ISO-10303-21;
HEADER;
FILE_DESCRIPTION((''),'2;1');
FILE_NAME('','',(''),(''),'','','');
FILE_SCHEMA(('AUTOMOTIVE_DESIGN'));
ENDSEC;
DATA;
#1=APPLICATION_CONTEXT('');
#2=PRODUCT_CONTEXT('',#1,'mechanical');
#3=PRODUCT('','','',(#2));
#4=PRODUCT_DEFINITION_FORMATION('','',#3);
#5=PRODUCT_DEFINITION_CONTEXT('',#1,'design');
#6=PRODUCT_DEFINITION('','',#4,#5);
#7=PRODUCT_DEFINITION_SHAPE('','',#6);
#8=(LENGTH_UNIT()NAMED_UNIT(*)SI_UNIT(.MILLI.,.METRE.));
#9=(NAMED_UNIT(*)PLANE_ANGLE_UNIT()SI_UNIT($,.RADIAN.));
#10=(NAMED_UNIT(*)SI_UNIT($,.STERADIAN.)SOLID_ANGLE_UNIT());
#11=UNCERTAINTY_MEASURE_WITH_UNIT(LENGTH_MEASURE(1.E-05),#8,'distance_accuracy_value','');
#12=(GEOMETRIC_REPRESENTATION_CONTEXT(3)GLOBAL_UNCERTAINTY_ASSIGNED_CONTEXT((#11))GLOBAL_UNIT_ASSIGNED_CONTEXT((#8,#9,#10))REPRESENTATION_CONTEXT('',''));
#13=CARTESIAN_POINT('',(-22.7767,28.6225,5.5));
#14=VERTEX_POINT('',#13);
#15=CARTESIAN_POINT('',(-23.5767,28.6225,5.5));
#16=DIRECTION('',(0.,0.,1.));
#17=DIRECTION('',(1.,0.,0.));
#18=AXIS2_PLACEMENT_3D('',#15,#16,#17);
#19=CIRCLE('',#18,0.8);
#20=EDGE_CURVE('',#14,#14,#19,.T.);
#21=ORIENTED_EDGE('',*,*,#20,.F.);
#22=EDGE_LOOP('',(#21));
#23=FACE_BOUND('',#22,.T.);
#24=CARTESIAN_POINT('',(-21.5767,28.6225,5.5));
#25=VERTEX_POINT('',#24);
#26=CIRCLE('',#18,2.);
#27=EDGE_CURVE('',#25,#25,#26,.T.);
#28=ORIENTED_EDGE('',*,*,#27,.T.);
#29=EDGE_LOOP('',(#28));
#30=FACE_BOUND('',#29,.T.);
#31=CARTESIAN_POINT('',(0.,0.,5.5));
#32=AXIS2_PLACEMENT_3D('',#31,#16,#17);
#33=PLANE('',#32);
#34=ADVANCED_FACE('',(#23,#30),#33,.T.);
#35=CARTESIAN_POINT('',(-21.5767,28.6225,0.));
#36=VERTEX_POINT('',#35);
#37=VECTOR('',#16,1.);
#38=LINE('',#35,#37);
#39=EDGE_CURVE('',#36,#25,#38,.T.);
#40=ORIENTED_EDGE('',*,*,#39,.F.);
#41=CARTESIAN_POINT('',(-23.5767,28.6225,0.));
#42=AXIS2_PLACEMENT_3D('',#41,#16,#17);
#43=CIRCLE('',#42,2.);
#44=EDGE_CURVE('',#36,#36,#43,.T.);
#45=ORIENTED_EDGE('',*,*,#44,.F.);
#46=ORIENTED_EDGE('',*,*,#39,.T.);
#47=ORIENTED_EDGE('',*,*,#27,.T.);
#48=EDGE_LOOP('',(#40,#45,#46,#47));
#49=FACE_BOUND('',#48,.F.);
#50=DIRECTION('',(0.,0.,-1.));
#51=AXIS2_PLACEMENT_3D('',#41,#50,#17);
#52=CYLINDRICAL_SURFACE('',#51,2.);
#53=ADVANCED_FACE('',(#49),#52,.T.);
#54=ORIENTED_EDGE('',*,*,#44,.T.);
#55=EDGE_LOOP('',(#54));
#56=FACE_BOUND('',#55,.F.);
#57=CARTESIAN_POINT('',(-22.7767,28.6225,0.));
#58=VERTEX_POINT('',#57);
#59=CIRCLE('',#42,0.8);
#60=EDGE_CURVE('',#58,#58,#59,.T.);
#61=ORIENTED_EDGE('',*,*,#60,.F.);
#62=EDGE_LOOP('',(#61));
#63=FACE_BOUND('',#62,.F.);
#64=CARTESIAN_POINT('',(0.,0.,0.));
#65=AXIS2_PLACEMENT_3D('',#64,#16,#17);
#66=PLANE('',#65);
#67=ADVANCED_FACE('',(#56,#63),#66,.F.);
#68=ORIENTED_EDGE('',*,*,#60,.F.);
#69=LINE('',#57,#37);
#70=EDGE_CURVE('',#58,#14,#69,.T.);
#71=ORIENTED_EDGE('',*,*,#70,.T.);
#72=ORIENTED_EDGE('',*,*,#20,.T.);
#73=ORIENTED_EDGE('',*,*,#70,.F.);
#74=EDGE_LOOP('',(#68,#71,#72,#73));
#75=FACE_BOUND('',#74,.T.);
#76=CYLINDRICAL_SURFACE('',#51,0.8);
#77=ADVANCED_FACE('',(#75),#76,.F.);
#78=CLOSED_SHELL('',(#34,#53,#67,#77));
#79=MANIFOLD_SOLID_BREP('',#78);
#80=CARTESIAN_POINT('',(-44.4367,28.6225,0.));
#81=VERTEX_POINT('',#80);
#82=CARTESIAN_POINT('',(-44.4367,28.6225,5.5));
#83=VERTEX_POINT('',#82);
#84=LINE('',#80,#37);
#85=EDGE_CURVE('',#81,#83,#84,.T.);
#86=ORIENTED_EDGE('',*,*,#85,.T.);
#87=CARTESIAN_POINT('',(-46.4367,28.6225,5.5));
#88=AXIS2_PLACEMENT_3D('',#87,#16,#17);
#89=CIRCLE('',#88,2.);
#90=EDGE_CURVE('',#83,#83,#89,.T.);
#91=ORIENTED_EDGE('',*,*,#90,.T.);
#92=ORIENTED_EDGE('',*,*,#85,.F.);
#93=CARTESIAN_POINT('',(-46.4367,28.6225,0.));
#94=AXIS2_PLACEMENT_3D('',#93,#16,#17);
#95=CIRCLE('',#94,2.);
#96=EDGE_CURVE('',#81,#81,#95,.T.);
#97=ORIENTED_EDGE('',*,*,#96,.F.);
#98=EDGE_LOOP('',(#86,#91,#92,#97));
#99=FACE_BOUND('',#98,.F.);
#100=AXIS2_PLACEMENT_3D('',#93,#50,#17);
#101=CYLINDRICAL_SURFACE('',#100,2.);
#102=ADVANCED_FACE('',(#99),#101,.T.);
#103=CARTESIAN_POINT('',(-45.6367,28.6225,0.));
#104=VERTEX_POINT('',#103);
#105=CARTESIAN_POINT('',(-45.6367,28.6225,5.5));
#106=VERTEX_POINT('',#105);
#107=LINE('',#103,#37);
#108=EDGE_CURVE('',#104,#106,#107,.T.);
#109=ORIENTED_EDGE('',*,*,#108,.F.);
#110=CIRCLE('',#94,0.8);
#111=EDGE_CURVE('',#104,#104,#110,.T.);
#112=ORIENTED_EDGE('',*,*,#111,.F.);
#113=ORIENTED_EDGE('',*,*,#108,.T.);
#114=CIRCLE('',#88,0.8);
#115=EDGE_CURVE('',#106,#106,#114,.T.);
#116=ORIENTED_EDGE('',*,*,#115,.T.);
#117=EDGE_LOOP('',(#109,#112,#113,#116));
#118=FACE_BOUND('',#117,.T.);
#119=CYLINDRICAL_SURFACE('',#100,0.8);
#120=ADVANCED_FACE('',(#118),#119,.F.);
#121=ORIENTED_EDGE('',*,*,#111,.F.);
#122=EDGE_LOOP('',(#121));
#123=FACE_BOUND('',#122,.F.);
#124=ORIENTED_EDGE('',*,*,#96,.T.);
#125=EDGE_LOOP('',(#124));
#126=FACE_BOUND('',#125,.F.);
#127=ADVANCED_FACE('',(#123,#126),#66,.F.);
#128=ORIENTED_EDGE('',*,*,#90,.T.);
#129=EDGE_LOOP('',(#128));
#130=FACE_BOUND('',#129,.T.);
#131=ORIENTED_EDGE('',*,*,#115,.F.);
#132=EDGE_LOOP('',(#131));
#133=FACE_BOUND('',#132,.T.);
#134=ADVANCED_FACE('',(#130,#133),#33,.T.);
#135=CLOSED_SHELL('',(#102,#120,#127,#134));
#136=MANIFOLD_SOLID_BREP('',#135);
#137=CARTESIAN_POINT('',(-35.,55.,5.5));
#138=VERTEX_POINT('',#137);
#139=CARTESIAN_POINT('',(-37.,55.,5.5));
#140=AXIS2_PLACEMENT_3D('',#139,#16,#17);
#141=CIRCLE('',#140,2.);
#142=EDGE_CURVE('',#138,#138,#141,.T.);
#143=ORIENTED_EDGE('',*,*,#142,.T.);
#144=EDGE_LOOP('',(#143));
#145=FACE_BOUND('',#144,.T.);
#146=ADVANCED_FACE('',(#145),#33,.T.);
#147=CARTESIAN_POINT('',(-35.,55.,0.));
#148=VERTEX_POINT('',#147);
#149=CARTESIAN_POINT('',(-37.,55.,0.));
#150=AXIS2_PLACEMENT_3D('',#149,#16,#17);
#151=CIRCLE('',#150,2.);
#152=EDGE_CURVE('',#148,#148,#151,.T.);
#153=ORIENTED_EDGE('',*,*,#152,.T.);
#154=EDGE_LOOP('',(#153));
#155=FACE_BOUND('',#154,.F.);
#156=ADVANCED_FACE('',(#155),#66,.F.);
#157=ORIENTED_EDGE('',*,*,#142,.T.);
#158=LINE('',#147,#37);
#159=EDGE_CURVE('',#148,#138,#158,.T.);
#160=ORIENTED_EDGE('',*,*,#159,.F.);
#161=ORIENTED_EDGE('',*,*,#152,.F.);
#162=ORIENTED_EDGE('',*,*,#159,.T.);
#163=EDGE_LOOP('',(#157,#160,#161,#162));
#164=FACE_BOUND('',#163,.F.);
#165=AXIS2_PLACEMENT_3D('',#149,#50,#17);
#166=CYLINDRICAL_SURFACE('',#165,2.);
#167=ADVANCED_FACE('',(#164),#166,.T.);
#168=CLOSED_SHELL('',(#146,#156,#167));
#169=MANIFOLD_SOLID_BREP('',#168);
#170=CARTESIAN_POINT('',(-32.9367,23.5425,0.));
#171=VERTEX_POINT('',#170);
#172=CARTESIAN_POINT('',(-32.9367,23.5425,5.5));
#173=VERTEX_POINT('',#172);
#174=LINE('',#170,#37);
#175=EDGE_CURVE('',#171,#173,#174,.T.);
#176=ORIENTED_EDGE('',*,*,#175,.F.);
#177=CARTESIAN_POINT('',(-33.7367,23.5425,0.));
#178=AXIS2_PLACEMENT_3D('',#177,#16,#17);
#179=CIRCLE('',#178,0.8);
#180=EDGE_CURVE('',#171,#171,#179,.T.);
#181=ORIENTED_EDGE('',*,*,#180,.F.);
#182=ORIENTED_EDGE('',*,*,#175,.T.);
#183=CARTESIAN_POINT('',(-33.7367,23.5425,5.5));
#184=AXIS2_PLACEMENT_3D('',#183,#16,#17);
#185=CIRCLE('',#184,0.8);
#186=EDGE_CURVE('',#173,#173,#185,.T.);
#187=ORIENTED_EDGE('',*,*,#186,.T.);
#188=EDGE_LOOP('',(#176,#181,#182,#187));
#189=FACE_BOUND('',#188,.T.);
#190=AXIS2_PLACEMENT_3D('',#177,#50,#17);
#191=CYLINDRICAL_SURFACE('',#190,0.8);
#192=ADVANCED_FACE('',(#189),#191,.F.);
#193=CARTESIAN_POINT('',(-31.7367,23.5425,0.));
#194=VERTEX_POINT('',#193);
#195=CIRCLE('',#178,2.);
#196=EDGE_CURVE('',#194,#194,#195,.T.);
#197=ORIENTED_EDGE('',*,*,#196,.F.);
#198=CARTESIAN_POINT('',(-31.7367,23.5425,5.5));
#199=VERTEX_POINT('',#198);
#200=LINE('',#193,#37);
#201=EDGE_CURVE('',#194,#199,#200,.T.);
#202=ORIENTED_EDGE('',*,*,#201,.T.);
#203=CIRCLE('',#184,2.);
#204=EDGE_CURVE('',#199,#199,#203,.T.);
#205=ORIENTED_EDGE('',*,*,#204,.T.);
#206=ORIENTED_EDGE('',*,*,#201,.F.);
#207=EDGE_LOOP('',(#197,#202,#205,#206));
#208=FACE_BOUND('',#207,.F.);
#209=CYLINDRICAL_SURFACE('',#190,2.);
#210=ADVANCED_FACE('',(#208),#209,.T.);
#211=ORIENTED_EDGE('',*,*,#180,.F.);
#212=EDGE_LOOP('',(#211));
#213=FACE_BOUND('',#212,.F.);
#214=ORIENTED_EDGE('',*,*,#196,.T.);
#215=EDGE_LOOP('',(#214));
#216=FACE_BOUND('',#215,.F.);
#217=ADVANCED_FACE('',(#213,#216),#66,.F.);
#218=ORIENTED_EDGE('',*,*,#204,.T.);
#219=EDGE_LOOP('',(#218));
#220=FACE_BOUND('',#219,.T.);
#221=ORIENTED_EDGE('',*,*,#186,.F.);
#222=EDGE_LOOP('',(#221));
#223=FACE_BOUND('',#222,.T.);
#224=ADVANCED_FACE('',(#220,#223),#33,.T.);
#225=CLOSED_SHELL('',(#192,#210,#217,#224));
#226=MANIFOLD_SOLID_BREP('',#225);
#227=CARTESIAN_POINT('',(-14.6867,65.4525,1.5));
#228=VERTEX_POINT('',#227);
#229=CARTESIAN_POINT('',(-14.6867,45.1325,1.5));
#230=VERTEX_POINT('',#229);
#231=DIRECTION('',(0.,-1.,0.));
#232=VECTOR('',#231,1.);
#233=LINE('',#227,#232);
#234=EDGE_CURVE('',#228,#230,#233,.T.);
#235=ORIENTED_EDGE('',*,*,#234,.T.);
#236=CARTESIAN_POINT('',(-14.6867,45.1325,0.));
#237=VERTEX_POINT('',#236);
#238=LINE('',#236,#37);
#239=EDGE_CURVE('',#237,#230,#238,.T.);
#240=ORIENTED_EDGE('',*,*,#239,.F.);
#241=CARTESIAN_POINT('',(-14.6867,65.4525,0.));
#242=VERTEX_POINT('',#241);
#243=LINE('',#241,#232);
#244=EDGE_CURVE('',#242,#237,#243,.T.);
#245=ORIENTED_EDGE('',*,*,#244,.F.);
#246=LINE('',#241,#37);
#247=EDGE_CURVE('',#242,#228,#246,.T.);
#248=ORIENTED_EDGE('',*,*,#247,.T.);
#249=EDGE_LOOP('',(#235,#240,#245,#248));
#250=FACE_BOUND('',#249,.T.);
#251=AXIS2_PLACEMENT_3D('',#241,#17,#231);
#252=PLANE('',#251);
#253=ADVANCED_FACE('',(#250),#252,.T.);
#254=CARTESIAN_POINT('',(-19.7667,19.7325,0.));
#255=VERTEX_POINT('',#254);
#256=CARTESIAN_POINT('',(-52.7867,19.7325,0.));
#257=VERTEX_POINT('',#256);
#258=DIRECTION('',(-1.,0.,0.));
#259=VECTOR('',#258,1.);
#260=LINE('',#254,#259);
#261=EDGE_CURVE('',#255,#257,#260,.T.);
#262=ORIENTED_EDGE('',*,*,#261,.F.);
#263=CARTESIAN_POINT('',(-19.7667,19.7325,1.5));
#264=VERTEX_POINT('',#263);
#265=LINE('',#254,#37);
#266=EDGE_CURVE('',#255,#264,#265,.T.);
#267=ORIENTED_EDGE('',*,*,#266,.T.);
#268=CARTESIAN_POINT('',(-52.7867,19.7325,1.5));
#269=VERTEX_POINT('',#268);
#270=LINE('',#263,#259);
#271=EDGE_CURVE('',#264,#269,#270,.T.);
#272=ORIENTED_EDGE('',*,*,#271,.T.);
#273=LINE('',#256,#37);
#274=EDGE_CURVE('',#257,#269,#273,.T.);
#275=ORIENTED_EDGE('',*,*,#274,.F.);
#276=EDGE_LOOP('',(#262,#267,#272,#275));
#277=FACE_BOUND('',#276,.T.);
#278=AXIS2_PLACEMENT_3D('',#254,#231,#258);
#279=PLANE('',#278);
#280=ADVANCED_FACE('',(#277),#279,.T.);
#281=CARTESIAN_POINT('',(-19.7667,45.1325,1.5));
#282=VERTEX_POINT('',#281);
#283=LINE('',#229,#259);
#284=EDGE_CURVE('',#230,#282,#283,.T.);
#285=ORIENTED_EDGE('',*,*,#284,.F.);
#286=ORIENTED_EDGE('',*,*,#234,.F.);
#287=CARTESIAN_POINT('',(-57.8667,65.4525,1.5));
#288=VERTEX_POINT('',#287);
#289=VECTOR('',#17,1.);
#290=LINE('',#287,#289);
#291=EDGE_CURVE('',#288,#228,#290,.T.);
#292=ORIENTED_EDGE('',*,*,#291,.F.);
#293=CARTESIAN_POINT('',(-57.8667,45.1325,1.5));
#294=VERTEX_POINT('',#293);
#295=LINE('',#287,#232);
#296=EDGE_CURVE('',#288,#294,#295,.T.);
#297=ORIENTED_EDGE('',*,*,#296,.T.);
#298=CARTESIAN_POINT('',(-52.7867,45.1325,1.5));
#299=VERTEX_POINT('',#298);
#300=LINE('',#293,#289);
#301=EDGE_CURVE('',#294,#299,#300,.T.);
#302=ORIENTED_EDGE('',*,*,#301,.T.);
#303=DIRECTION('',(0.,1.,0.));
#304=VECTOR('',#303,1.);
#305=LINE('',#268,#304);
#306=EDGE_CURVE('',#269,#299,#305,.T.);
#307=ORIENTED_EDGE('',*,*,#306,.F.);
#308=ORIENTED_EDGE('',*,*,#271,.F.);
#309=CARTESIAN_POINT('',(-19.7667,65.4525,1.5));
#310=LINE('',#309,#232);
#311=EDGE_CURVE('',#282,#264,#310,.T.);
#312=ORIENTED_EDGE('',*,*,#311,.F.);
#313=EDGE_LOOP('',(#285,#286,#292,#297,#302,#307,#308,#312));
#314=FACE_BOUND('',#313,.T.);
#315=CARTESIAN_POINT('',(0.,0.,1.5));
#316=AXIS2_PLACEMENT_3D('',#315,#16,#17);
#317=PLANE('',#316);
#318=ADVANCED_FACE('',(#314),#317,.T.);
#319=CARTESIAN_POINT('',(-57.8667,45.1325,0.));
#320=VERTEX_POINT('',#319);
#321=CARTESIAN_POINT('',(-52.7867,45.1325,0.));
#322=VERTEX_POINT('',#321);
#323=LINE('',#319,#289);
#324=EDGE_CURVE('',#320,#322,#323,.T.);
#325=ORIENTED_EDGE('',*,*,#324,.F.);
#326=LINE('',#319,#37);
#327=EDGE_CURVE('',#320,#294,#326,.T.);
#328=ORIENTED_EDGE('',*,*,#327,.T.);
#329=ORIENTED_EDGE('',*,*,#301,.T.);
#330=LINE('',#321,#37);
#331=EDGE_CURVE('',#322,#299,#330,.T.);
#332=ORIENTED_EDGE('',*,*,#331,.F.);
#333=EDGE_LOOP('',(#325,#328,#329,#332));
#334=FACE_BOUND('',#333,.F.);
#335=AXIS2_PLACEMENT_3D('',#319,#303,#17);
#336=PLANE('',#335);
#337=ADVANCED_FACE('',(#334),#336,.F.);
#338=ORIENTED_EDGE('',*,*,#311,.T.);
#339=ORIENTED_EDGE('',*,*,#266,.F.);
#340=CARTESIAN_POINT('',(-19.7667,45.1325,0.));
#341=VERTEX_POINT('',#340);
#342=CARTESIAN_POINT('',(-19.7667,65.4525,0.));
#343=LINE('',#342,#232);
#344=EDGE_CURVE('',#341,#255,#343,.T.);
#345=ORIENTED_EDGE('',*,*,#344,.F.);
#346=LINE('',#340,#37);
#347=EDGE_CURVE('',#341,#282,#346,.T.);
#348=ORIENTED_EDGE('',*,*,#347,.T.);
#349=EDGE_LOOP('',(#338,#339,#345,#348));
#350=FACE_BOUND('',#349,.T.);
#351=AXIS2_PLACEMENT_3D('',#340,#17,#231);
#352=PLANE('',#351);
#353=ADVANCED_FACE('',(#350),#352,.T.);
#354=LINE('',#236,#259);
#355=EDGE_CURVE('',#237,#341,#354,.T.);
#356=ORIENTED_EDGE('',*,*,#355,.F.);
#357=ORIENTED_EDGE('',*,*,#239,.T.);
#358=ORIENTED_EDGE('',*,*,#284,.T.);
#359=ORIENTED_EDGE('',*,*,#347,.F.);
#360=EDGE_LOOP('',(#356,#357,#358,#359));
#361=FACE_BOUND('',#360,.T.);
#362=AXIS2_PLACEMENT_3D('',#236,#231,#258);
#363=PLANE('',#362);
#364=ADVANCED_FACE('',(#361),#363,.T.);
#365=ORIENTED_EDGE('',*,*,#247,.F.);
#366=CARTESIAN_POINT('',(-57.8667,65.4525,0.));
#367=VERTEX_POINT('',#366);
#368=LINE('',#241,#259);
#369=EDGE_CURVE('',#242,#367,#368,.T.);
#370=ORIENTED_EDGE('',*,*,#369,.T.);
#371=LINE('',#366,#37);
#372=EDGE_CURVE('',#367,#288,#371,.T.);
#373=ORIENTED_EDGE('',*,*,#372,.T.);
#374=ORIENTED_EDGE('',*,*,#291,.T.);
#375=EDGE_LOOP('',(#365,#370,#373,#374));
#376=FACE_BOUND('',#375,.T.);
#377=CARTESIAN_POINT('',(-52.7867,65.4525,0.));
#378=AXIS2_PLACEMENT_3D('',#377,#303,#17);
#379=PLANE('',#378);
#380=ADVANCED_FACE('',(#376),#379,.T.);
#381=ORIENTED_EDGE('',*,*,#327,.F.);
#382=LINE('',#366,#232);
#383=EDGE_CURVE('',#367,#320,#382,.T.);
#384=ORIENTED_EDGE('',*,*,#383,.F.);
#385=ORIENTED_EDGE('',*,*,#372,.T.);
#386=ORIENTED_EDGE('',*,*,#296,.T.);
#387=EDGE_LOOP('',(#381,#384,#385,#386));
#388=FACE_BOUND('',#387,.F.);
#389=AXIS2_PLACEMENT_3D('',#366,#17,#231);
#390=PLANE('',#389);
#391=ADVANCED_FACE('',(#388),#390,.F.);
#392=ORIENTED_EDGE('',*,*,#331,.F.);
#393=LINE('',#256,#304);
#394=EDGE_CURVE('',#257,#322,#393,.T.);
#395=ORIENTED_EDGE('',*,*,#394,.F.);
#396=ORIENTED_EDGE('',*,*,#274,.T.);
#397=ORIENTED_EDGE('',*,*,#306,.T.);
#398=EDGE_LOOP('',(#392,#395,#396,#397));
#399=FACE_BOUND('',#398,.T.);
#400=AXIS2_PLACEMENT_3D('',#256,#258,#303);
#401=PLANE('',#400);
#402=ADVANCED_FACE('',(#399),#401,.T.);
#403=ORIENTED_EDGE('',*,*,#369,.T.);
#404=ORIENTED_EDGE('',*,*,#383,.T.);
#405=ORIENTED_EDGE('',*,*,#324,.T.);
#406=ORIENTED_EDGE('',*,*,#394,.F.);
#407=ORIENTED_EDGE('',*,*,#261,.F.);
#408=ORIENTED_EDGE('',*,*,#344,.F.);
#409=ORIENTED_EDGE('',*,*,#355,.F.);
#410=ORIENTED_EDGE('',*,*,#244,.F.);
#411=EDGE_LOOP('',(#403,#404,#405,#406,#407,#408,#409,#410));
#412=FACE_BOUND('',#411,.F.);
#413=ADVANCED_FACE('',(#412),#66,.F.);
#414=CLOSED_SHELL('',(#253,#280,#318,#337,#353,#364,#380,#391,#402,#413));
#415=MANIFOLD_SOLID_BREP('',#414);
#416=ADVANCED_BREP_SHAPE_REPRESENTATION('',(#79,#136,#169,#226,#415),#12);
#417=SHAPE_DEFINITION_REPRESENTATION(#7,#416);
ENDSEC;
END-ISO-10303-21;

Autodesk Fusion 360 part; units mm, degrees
sketch "Sketch1" plane through (0, 0, 0) normal (0, 0, 1) x (1, 0, 0)
  line L0 (-52.7867, 65.4525) -> (-19.7667, 65.4525)
  line L1 (-19.7667, 65.4525) -> (-19.7667, 19.7325)
  line L2 (-19.7667, 19.7325) -> (-52.7867, 19.7325)
  line L3 (-52.7867, 19.7325) -> (-52.7867, 65.4525)
  line L4 (-19.7667, 65.4525) -> (-14.6867, 65.4525)
  line L5 (-14.6867, 65.4525) -> (-14.6867, 45.1325)
  line L6 (-14.6867, 45.1325) -> (-19.7667, 45.1325)
  line L7 (-19.7667, 45.1325) -> (-19.7667, 65.4525)
  line L8 (-52.7867, 65.4525) -> (-57.8667, 65.4525)
  line L9 (-57.8667, 65.4525) -> (-57.8667, 45.1325)
  line L10 (-57.8667, 45.1325) -> (-52.7867, 45.1325)
  line L11 (-52.7867, 45.1325) -> (-52.7867, 65.4525)
  circle A0 centre (-23.5767, 28.6225) radius 0.8
  circle A1 centre (-23.5767, 28.6225) radius 2
  circle A2 centre (-46.4367, 28.6225) radius 0.8
  circle A3 centre (-46.4367, 28.6225) radius 2
  circle A4 centre (-33.7367, 23.5425) radius 0.8
  circle A5 centre (-33.7367, 23.5425) radius 2
  circle A6 centre (-37, 55) radius 2
  dimension "d3" = 33.02
  dimension "d4" = 45.72
  dimension "d5" = 5.08
  dimension "d6" = 20.32
  dimension "d7" = 5.08
  dimension "d8" = 20.32
  dimension "d9" = 1.6
  dimension "d10" = 4
  dimension "d11" = 3.81
  dimension "d12" = 1.6
  dimension "d13" = 4
  dimension "d14" = 22.86
  dimension "d15" = 1.6
  dimension "d16" = 4
  dimension "d17" = 5.08
  dimension "d18" = 10.16
  dimension "d19" = 8.89
  dimension "d20" = 8.89
  dimension "d25" = 4
extrude "Extrude1" add sketch "Sketch1" along normal blind 1.5 contours L0 L1 L2 L3 L7 L11 | L3 L8 L9 L10 L11 | L1 L4 L5 L6 L7 | A0 | A1 | A2 | A3 | A4 | A5 | A6 makes body 1
extrude "Extrude2" add sketch "Sketch1" along normal blind 5.5 separate body contours A1 | A3 | A5 makes body 2 at (-44.4392, 28.5228, 3.6667) makes body 3 at (-31.7392, 23.4428, 3.6667) makes body 4 at (-21.5792, 28.5228, 3.6667)
extrude "Extrude3" add sketch "Sketch1" along normal blind 5.5 separate body contours A6 makes body 5
